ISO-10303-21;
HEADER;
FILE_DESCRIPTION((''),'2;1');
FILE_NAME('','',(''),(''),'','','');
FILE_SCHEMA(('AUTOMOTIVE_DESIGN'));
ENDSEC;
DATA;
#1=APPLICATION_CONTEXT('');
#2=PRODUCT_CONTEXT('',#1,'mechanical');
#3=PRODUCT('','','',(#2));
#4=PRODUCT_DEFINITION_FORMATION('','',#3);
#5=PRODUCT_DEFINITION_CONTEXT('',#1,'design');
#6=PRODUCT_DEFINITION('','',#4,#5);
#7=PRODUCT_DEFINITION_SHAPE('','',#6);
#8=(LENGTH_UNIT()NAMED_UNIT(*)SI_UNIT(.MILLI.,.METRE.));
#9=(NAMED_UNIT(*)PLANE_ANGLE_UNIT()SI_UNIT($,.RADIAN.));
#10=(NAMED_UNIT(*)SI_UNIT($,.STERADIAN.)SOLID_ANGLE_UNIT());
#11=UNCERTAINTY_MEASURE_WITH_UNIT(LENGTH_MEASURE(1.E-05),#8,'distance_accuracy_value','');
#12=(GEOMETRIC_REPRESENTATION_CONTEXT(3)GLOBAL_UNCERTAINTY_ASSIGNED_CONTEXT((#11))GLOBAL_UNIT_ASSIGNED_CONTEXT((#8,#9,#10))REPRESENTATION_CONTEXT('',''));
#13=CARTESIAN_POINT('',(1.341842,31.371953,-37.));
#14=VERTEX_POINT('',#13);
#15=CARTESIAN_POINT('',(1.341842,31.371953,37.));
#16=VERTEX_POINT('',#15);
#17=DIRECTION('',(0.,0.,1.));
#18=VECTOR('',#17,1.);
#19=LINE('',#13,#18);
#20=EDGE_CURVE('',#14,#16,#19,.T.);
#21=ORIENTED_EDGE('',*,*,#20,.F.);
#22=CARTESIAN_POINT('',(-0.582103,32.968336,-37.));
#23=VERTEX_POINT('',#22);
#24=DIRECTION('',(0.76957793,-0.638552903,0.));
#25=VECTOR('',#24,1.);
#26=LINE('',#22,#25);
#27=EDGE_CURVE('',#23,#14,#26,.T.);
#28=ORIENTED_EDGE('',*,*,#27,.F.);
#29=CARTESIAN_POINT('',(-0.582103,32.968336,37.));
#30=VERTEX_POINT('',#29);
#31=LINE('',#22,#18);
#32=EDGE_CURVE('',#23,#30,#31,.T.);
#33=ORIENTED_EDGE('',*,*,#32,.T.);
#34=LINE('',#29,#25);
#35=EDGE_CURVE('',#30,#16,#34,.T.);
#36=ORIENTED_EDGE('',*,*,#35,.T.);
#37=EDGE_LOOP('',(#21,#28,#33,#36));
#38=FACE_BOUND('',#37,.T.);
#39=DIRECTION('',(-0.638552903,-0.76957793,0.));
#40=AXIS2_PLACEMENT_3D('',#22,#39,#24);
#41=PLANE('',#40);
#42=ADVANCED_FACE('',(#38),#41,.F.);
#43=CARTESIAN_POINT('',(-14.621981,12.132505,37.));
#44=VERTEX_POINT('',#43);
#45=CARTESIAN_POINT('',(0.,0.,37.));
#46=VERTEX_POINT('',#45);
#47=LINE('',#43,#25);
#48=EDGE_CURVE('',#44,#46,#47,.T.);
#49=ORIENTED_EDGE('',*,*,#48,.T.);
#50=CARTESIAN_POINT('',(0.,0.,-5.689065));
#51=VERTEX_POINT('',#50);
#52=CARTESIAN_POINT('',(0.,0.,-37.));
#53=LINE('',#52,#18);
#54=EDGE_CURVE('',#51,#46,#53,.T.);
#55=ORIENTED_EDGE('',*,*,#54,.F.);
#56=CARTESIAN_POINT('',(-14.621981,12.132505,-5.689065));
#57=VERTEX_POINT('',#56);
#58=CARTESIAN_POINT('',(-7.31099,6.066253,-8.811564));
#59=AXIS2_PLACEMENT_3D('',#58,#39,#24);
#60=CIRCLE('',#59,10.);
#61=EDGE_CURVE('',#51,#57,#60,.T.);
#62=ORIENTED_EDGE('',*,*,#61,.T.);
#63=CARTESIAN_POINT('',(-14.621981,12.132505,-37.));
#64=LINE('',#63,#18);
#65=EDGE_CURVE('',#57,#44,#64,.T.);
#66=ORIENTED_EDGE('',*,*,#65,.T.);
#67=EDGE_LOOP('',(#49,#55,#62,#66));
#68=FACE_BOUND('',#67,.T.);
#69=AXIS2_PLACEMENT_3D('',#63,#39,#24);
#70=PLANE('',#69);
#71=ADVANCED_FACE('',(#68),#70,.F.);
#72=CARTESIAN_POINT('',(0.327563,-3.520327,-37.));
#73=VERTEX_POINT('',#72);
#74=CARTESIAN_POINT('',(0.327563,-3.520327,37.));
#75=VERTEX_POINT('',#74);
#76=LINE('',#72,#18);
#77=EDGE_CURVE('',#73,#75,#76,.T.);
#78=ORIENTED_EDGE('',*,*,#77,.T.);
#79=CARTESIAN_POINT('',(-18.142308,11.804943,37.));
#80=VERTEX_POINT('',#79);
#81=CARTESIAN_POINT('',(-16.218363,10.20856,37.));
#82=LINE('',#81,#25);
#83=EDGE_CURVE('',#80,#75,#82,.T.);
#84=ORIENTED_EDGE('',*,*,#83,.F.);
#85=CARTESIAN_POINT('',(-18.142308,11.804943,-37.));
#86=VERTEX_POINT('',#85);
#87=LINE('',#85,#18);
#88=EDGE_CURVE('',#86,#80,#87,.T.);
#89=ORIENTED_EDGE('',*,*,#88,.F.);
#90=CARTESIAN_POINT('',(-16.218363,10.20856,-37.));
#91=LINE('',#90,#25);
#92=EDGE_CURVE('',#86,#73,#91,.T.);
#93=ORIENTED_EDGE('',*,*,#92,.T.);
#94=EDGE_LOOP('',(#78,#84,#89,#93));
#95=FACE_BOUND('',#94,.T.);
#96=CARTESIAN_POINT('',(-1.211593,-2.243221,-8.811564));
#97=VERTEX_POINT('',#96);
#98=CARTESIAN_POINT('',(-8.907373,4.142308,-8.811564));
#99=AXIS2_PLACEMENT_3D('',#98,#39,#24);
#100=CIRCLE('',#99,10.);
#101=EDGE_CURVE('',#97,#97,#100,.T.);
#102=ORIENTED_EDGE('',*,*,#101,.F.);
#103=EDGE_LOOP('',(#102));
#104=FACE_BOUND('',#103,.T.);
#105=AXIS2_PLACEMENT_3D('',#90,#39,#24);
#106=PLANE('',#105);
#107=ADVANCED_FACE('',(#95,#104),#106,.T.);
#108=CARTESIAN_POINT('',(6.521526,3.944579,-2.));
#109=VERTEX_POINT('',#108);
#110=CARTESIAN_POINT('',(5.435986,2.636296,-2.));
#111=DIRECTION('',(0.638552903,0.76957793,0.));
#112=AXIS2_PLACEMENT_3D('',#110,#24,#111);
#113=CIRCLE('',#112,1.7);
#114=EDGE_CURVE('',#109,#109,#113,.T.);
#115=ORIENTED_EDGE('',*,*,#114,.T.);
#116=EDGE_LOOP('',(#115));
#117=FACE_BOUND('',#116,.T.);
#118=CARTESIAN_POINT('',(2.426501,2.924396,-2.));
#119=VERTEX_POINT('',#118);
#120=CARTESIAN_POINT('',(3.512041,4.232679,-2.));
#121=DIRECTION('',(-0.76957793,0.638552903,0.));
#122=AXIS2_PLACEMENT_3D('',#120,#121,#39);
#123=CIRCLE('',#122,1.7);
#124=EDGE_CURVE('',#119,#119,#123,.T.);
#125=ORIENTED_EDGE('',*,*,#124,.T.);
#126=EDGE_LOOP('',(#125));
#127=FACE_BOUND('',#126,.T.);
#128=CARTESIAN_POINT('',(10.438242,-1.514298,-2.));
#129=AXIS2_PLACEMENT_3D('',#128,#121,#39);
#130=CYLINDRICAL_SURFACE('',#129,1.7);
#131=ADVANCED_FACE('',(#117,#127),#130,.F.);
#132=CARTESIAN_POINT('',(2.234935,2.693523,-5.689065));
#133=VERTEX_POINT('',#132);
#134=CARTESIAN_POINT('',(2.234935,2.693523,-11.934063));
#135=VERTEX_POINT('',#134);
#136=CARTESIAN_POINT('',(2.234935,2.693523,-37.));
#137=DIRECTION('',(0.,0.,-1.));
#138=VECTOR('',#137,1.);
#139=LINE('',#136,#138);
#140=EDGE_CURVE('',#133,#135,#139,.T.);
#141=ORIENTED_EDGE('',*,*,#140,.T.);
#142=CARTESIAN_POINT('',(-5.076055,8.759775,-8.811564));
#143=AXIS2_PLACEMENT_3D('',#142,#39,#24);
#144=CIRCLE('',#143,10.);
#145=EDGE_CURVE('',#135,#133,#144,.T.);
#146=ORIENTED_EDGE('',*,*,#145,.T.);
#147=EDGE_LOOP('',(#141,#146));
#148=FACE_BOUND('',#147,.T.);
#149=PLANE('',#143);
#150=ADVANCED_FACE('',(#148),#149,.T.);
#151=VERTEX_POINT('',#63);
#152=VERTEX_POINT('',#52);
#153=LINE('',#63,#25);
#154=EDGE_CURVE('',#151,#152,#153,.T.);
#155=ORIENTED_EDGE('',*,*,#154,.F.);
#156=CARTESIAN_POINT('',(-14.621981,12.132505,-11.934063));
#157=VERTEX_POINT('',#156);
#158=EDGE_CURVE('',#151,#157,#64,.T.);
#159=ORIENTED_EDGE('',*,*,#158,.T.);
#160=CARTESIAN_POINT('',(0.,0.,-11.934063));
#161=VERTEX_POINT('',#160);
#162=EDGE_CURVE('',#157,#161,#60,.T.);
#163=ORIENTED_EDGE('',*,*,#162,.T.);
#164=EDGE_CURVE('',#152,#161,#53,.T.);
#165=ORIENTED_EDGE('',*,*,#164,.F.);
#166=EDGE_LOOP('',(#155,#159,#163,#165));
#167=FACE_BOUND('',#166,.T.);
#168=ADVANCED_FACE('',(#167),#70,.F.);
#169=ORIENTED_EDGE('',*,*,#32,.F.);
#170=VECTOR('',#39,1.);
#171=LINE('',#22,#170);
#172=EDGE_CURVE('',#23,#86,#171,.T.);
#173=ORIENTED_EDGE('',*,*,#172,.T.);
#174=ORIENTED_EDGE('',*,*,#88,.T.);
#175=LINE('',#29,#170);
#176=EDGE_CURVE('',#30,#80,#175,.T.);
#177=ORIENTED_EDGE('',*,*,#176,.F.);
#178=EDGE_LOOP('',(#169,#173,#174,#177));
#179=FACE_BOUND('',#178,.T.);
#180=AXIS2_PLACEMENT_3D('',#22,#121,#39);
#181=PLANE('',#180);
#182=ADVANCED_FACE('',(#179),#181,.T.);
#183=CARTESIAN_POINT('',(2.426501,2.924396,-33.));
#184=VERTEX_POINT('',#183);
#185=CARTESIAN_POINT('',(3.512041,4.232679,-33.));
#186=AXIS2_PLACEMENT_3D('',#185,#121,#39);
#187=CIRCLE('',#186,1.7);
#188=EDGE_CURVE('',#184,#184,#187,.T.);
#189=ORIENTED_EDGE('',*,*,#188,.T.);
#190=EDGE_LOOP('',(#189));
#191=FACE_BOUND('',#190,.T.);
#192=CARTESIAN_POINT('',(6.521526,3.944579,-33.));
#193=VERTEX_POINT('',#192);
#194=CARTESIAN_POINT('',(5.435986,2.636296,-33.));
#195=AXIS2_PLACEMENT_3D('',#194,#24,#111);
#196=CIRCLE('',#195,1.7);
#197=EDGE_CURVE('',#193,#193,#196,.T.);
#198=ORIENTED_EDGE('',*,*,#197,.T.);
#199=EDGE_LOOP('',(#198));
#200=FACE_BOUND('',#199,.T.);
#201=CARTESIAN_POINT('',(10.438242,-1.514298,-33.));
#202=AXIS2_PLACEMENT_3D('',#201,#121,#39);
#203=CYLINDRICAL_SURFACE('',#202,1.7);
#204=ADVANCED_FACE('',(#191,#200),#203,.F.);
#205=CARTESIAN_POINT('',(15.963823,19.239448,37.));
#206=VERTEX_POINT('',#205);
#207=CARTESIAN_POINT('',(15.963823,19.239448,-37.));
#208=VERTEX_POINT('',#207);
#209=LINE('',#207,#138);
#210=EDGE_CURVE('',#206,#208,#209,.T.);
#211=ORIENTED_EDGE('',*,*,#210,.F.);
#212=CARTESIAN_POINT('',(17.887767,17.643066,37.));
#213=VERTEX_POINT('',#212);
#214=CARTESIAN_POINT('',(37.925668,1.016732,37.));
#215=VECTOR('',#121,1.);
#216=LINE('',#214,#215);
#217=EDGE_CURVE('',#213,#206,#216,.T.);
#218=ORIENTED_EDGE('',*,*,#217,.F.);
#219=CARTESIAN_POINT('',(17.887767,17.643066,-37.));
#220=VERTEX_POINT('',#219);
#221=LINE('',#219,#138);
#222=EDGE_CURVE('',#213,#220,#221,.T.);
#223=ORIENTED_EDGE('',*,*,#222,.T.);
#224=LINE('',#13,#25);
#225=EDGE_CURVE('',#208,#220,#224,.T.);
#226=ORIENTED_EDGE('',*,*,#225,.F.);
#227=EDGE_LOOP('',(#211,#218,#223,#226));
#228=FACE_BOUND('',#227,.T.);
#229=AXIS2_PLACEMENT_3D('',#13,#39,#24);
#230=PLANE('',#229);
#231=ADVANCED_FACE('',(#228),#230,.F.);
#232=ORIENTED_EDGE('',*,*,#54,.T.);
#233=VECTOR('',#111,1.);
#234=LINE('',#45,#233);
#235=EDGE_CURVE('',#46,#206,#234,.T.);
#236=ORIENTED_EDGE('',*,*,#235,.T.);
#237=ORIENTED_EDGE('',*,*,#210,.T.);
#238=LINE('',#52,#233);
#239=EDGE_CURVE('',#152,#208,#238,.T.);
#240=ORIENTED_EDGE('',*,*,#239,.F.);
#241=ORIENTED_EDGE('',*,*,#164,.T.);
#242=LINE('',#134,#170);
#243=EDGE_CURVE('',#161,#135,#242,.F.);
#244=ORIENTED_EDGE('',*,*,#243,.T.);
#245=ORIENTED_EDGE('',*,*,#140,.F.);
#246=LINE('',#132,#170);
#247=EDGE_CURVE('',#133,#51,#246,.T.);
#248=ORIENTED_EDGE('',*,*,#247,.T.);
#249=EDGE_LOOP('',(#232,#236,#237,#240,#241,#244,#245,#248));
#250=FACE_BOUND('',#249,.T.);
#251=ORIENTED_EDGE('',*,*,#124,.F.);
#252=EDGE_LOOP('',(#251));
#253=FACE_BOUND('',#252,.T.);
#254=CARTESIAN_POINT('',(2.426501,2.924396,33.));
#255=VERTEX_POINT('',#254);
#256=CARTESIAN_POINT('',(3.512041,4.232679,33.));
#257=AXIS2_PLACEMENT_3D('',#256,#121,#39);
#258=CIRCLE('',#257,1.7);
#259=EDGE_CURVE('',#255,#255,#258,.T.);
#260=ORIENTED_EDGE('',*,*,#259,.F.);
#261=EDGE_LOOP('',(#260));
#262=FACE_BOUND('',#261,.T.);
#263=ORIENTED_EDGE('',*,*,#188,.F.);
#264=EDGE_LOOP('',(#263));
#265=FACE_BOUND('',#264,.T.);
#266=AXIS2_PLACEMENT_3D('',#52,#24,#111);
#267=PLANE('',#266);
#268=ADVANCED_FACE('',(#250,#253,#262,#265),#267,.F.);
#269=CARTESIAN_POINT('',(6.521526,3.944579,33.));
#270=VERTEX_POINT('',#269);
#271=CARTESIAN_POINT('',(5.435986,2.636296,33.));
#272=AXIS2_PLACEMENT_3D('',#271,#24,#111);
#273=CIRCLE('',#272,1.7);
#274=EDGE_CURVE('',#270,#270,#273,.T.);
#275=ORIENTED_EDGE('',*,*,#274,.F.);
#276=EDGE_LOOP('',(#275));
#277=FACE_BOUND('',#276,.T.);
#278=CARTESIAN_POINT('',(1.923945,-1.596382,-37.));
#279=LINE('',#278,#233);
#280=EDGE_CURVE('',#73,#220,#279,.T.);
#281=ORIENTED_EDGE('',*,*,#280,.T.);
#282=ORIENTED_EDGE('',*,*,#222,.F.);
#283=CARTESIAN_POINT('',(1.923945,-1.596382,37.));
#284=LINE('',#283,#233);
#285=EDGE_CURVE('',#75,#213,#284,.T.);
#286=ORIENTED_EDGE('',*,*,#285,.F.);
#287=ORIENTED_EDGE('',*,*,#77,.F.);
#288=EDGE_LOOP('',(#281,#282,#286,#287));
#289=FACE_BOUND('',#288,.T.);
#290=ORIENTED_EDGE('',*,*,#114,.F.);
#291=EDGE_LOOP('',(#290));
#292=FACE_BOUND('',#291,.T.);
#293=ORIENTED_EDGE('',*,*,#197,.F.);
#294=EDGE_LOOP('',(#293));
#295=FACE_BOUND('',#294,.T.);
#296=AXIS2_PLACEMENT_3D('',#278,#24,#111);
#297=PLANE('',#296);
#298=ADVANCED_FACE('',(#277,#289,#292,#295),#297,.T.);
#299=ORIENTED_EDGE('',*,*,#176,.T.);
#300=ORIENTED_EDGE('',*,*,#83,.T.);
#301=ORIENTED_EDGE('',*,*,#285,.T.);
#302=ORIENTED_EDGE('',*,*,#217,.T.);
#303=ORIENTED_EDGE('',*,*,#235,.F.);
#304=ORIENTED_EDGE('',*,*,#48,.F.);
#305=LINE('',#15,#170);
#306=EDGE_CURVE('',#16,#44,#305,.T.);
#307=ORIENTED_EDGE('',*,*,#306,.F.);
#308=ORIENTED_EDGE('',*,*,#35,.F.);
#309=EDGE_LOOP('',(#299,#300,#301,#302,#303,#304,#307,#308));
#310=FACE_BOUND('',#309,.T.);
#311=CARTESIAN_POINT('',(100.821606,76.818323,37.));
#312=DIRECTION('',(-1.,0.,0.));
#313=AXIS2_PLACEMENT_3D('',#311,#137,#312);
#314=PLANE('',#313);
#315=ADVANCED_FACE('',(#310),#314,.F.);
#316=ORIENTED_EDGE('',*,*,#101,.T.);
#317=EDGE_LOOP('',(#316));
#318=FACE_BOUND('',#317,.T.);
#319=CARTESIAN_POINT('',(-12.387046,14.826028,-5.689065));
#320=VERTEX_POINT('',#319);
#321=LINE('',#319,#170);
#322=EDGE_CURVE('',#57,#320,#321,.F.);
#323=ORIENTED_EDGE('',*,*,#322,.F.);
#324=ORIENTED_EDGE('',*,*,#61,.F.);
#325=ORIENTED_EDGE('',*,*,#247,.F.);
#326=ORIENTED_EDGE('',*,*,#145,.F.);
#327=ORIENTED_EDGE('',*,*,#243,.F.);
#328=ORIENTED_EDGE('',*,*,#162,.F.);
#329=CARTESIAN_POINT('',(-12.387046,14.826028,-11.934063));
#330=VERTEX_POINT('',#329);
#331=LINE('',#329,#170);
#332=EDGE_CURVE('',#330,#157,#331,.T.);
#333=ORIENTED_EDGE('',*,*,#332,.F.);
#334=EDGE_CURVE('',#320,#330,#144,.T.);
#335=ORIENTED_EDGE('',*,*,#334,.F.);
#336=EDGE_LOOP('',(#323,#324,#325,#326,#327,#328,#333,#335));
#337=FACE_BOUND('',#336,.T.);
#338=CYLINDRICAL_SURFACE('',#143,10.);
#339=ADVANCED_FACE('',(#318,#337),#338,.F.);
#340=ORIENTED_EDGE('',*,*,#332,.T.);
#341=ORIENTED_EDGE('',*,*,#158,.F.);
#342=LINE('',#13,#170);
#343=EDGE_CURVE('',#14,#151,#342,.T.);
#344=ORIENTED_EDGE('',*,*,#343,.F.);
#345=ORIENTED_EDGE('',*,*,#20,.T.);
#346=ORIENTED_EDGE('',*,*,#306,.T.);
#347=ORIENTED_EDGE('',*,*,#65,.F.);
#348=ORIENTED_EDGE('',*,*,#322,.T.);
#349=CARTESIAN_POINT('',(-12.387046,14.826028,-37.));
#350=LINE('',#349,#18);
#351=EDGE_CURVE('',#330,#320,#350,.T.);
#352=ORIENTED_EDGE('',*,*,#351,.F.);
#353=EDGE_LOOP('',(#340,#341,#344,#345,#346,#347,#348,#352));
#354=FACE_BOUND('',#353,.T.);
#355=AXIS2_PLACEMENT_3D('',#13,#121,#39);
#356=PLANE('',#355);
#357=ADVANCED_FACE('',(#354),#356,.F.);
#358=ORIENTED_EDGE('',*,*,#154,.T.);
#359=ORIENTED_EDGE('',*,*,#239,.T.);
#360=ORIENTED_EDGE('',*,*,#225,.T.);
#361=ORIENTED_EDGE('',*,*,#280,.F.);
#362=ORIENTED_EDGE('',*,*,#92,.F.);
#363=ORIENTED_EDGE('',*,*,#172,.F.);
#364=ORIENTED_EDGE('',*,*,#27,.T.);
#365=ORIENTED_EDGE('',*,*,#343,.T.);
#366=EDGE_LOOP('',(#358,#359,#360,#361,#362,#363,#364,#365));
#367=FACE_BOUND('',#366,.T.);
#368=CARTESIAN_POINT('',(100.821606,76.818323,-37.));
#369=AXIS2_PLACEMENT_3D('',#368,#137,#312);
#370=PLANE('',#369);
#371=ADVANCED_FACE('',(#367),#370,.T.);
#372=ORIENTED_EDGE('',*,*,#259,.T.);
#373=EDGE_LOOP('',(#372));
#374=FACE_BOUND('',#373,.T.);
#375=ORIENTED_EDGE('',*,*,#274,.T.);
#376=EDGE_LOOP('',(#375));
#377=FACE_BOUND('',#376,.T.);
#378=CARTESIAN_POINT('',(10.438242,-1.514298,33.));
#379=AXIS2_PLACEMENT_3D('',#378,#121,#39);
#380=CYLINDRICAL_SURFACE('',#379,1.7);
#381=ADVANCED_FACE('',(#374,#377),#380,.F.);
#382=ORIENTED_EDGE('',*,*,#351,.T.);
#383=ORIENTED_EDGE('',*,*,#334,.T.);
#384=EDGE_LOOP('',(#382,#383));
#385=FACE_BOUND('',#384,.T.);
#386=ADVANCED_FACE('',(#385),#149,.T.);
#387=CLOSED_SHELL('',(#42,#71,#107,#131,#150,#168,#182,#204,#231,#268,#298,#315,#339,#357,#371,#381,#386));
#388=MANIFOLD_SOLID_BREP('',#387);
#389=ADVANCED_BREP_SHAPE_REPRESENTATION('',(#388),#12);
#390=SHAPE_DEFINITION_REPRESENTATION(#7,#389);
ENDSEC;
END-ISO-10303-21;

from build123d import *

# Parameters (mm, degrees)
ESTRUSIONE_SOTTILE1_DEPTH      = 37
ESTRUSIONE_SOTTILE1_DEPTH_BACK = 37
SCHIZZO2_R                     = 1.7
TAGLIO_ESTRUSIONE2_DEPTH       = 23
SCHIZZO3_R                     = 10
TAGLIO_ESTRUSIONE3_DEPTH       = 6
SCHIZZO4_W                     = 19
SCHIZZO4_H                     = 35
TAGLIO_ESTRUSIONE4_DEPTH       = 9
SCHIZZO5_R                     = 1.7
TAGLIO_ESTRUSIONE5_DEPTH       = 9
TAGLIO_ESTRUSIONE6_DEPTH       = 38
TAGLIO_ESTRUSIONE6_DEPTH_BACK  = 38


with BuildPart() as part:
    # Schizzo1 → Estrusione-Sottile1 (new body, two sides)
    with BuildSketch(Plane.XY) as estrusione_sottile1_sk:
        with BuildLine():
            Line((1.3418419, 31.371953403), (-14.62198067, 12.132505153))
            Line((-14.62198067, 12.132505153), (0, 0))
            Line((0, 0), (76.626348337, 92.349351598))
            ThreePointArc((76.626348337, 92.349351598), (100.821605793, 105.569380982), (125.016863249, 92.349351598))
            Line((125.016863249, 92.349351598), (132.637123428, 81.561358928))
            Line((132.637123428, 81.561358928), (153.805626203, 63.996914357))
            Line((153.805626203, 63.996914357), (152.209243946, 62.072969532))
            Line((152.209243946, 62.072969532), (130.786083182, 79.848715119))
            Line((130.786083182, 79.848715119), (122.942210931, 90.953275114))
            ThreePointArc((122.942210931, 90.953275114), (100.774095149, 103.069337988), (78.649981188, 90.873112409))
            Line((78.649981188, 90.873112409), (0.327562568, -3.520327082))
            Line((0.327562568, -3.520327082), (-18.142307752, 11.804942585))
            Line((-18.142307752, 11.804942585), (-0.582102925, 32.96833566))
            Line((-0.582102925, 32.96833566), (1.3418419, 31.371953403))
        make_face()
    extrude(amount=ESTRUSIONE_SOTTILE1_DEPTH)
    extrude(estrusione_sottile1_sk.sketch, amount=-ESTRUSIONE_SOTTILE1_DEPTH_BACK)

    # Schizzo2 → Taglio-Estrusione2 (cut)
    with BuildSketch(Plane(origin=(1.923944825, -1.596382257, 0), x_dir=(0, 0, -1), z_dir=(0.76957793, -0.638552903, 0))):
        with Locations((-6.552412565, 114.869422042)):
            Circle(SCHIZZO2_R)
        with Locations((-6.552412565, 104.052556993)):
            Circle(SCHIZZO2_R)
        with Locations((1.452296176, 109.710473024)):
            Circle(SCHIZZO2_R)
        with Locations((9.457004918, 104.551524007)):
            Circle(SCHIZZO2_R)
        with Locations((1.553386665, 98.82845624)):
            Circle(SCHIZZO2_R)
        with Locations((9.659185895, 93.604355486)):
            Circle(SCHIZZO2_R)
    extrude(amount=-TAGLIO_ESTRUSIONE2_DEPTH, mode=Mode.SUBTRACT)

    # Schizzo3 → Taglio-Estrusione3 (cut)
    with BuildSketch(Plane(origin=(-1.596382257, -1.923944825, 0), x_dir=(0.76957793, -0.638552903, 0), z_dir=(-0.638552903, -0.76957793, 0))):
        with Locations((-9.5, -8.811563563)):
            Circle(SCHIZZO3_R)
    extrude(amount=-TAGLIO_ESTRUSIONE3_DEPTH, mode=Mode.SUBTRACT)

    # Schizzo4 → Taglio-Estrusione4 (cut)
    with BuildSketch(Plane(origin=(0, 0, 0), x_dir=(0, 0, 1), z_dir=(-0.76957793, 0.638552903, 0))):
        with Locations((-7.5, 57.5)):
            Rectangle(SCHIZZO4_W, SCHIZZO4_H)
    extrude(amount=-TAGLIO_ESTRUSIONE4_DEPTH, mode=Mode.SUBTRACT)

    # Schizzo5 → Taglio-Estrusione5 (cut)
    with BuildSketch(Plane(origin=(0, 0, 0), x_dir=(0, 0, 1), z_dir=(-0.76957793, 0.638552903, 0))):
        with Locations((33, 5.5)):
            Circle(SCHIZZO5_R)
        with Locations((-33, 5.5)):
            Circle(SCHIZZO5_R)
        with Locations((-2, 5.5)):
            Circle(SCHIZZO5_R)
    extrude(amount=-TAGLIO_ESTRUSIONE5_DEPTH, mode=Mode.SUBTRACT)

    # Schizzo6 → Taglio-Estrusione6 (cut, two sides)
    with BuildSketch(Plane.XY) as taglio_estrusione6_sk:
        Polygon((1.3418419, 31.371953403), (32.99116726, 5.111106005), (167.345945228, 57.415127601), (141.955436185, 113.188092886), (32.984624639, 110.825582067), align=None)
    extrude(amount=TAGLIO_ESTRUSIONE6_DEPTH, mode=Mode.SUBTRACT)
    extrude(taglio_estrusione6_sk.sketch, amount=-TAGLIO_ESTRUSIONE6_DEPTH_BACK, mode=Mode.SUBTRACT)


solid = part.part
